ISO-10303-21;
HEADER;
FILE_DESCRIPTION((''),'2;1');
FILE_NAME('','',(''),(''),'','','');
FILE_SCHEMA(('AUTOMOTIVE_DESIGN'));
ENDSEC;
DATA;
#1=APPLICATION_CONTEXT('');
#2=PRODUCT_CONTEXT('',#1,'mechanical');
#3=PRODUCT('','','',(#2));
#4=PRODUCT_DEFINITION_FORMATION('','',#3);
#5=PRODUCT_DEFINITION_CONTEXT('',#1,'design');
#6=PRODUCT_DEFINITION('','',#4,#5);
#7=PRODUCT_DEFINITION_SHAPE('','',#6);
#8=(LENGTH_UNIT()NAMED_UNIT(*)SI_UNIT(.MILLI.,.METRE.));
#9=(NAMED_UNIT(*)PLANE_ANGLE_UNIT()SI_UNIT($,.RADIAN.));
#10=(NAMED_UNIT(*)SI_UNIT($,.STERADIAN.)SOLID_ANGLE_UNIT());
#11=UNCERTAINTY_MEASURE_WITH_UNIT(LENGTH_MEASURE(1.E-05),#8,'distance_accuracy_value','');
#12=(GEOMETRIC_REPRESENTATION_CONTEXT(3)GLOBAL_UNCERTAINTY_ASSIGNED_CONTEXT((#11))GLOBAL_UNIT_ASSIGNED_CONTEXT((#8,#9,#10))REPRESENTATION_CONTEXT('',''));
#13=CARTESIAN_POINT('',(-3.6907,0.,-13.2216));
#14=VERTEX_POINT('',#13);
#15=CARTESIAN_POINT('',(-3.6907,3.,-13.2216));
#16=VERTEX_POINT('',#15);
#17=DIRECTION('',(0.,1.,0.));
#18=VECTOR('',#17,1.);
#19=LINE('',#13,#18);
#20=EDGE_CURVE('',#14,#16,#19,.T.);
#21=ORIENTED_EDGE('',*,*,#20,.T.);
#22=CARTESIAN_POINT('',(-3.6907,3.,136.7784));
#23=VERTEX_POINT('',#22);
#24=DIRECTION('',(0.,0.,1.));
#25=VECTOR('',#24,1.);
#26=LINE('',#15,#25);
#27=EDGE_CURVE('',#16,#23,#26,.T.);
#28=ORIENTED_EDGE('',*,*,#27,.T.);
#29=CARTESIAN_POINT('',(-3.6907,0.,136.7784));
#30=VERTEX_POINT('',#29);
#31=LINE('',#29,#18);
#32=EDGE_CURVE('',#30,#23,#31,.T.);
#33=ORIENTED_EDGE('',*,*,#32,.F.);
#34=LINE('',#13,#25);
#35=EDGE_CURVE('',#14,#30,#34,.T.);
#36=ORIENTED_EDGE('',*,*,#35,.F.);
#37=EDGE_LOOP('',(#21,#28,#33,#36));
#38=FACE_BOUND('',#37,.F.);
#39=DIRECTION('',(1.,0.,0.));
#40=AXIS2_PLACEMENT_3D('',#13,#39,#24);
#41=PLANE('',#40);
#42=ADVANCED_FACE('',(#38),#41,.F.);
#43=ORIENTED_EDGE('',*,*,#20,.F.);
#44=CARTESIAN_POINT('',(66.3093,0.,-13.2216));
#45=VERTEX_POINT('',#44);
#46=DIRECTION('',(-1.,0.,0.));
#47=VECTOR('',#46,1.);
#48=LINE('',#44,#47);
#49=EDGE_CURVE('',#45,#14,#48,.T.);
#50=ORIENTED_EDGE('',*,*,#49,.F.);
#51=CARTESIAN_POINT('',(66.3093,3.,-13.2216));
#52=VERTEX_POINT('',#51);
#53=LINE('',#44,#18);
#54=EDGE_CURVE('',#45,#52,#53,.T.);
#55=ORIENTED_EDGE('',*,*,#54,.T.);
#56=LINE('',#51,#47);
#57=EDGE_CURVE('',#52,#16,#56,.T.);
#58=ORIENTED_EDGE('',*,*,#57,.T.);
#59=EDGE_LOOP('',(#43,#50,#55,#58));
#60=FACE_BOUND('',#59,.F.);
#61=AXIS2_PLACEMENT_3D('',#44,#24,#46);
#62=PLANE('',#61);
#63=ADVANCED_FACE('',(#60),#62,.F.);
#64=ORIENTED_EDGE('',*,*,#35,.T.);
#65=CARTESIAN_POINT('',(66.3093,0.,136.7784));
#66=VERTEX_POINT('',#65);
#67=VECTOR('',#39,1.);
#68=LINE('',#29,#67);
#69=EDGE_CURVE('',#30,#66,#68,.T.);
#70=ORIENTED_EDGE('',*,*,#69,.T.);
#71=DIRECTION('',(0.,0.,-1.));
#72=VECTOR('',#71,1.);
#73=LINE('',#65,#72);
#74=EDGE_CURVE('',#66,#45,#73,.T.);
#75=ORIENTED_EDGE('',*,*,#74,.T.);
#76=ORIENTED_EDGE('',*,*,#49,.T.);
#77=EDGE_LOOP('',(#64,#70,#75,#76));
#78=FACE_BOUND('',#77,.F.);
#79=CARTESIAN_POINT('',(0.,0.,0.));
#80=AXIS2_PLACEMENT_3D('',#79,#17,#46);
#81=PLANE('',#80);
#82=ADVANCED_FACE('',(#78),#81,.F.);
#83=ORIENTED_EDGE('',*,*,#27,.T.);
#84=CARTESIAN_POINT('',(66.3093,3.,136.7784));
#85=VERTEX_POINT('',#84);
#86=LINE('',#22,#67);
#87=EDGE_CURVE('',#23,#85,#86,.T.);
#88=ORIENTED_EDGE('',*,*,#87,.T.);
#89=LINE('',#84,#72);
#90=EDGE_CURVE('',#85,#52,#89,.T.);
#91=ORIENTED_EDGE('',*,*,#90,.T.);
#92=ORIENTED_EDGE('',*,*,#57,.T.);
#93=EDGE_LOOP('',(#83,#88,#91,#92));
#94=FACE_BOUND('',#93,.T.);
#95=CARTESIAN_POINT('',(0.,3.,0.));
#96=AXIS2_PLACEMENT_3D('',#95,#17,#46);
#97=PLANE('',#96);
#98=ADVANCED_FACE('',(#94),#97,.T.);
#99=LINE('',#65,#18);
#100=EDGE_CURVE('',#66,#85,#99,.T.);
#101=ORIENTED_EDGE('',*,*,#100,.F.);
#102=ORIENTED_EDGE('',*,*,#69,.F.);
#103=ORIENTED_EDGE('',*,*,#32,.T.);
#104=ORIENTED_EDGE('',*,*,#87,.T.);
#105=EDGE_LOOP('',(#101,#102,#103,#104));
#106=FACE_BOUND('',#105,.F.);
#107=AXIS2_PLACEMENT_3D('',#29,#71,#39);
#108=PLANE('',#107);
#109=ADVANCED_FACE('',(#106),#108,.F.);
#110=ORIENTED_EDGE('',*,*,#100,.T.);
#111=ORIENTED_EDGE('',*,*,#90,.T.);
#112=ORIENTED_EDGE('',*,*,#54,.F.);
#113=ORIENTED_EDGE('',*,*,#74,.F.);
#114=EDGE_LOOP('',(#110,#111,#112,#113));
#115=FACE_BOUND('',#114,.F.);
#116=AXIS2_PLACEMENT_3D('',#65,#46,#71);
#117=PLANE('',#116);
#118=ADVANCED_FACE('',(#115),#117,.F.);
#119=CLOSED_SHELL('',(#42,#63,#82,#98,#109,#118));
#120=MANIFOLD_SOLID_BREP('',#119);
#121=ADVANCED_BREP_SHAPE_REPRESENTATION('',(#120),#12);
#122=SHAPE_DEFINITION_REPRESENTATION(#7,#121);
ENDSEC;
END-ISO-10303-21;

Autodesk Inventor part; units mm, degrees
ref_plane "YZ Plane" through (0, 0, 0) normal (1, 0, 0) x (0, 1, 0)
ref_plane "XZ Plane" through (0, 0, 0) normal (0, 1, 0) x (-1, 0, 0)
ref_plane "XY Plane" through (0, 0, 0) normal (0, 0, 1) x (1, 0, 0)
sketch "スケッチ1" plane through (0, 0, 0) normal (0, 1, 0) x (-1, 0, 0)
  line L0 (3.6907, 136.7784) -> (-66.3093, 136.7784)
  line L1 (-66.3093, 136.7784) -> (-66.3093, -13.2216)
  line L2 (-66.3093, -13.2216) -> (3.6907, -13.2216)
  line L3 (3.6907, -13.2216) -> (3.6907, 136.7784)
  point P0 (0, 0)
  dimension "d0" = 70
  dimension "d1" = 150
extrude "押し出し1" add sketch "スケッチ1" along normal blind 3
properties part number "remake1"
